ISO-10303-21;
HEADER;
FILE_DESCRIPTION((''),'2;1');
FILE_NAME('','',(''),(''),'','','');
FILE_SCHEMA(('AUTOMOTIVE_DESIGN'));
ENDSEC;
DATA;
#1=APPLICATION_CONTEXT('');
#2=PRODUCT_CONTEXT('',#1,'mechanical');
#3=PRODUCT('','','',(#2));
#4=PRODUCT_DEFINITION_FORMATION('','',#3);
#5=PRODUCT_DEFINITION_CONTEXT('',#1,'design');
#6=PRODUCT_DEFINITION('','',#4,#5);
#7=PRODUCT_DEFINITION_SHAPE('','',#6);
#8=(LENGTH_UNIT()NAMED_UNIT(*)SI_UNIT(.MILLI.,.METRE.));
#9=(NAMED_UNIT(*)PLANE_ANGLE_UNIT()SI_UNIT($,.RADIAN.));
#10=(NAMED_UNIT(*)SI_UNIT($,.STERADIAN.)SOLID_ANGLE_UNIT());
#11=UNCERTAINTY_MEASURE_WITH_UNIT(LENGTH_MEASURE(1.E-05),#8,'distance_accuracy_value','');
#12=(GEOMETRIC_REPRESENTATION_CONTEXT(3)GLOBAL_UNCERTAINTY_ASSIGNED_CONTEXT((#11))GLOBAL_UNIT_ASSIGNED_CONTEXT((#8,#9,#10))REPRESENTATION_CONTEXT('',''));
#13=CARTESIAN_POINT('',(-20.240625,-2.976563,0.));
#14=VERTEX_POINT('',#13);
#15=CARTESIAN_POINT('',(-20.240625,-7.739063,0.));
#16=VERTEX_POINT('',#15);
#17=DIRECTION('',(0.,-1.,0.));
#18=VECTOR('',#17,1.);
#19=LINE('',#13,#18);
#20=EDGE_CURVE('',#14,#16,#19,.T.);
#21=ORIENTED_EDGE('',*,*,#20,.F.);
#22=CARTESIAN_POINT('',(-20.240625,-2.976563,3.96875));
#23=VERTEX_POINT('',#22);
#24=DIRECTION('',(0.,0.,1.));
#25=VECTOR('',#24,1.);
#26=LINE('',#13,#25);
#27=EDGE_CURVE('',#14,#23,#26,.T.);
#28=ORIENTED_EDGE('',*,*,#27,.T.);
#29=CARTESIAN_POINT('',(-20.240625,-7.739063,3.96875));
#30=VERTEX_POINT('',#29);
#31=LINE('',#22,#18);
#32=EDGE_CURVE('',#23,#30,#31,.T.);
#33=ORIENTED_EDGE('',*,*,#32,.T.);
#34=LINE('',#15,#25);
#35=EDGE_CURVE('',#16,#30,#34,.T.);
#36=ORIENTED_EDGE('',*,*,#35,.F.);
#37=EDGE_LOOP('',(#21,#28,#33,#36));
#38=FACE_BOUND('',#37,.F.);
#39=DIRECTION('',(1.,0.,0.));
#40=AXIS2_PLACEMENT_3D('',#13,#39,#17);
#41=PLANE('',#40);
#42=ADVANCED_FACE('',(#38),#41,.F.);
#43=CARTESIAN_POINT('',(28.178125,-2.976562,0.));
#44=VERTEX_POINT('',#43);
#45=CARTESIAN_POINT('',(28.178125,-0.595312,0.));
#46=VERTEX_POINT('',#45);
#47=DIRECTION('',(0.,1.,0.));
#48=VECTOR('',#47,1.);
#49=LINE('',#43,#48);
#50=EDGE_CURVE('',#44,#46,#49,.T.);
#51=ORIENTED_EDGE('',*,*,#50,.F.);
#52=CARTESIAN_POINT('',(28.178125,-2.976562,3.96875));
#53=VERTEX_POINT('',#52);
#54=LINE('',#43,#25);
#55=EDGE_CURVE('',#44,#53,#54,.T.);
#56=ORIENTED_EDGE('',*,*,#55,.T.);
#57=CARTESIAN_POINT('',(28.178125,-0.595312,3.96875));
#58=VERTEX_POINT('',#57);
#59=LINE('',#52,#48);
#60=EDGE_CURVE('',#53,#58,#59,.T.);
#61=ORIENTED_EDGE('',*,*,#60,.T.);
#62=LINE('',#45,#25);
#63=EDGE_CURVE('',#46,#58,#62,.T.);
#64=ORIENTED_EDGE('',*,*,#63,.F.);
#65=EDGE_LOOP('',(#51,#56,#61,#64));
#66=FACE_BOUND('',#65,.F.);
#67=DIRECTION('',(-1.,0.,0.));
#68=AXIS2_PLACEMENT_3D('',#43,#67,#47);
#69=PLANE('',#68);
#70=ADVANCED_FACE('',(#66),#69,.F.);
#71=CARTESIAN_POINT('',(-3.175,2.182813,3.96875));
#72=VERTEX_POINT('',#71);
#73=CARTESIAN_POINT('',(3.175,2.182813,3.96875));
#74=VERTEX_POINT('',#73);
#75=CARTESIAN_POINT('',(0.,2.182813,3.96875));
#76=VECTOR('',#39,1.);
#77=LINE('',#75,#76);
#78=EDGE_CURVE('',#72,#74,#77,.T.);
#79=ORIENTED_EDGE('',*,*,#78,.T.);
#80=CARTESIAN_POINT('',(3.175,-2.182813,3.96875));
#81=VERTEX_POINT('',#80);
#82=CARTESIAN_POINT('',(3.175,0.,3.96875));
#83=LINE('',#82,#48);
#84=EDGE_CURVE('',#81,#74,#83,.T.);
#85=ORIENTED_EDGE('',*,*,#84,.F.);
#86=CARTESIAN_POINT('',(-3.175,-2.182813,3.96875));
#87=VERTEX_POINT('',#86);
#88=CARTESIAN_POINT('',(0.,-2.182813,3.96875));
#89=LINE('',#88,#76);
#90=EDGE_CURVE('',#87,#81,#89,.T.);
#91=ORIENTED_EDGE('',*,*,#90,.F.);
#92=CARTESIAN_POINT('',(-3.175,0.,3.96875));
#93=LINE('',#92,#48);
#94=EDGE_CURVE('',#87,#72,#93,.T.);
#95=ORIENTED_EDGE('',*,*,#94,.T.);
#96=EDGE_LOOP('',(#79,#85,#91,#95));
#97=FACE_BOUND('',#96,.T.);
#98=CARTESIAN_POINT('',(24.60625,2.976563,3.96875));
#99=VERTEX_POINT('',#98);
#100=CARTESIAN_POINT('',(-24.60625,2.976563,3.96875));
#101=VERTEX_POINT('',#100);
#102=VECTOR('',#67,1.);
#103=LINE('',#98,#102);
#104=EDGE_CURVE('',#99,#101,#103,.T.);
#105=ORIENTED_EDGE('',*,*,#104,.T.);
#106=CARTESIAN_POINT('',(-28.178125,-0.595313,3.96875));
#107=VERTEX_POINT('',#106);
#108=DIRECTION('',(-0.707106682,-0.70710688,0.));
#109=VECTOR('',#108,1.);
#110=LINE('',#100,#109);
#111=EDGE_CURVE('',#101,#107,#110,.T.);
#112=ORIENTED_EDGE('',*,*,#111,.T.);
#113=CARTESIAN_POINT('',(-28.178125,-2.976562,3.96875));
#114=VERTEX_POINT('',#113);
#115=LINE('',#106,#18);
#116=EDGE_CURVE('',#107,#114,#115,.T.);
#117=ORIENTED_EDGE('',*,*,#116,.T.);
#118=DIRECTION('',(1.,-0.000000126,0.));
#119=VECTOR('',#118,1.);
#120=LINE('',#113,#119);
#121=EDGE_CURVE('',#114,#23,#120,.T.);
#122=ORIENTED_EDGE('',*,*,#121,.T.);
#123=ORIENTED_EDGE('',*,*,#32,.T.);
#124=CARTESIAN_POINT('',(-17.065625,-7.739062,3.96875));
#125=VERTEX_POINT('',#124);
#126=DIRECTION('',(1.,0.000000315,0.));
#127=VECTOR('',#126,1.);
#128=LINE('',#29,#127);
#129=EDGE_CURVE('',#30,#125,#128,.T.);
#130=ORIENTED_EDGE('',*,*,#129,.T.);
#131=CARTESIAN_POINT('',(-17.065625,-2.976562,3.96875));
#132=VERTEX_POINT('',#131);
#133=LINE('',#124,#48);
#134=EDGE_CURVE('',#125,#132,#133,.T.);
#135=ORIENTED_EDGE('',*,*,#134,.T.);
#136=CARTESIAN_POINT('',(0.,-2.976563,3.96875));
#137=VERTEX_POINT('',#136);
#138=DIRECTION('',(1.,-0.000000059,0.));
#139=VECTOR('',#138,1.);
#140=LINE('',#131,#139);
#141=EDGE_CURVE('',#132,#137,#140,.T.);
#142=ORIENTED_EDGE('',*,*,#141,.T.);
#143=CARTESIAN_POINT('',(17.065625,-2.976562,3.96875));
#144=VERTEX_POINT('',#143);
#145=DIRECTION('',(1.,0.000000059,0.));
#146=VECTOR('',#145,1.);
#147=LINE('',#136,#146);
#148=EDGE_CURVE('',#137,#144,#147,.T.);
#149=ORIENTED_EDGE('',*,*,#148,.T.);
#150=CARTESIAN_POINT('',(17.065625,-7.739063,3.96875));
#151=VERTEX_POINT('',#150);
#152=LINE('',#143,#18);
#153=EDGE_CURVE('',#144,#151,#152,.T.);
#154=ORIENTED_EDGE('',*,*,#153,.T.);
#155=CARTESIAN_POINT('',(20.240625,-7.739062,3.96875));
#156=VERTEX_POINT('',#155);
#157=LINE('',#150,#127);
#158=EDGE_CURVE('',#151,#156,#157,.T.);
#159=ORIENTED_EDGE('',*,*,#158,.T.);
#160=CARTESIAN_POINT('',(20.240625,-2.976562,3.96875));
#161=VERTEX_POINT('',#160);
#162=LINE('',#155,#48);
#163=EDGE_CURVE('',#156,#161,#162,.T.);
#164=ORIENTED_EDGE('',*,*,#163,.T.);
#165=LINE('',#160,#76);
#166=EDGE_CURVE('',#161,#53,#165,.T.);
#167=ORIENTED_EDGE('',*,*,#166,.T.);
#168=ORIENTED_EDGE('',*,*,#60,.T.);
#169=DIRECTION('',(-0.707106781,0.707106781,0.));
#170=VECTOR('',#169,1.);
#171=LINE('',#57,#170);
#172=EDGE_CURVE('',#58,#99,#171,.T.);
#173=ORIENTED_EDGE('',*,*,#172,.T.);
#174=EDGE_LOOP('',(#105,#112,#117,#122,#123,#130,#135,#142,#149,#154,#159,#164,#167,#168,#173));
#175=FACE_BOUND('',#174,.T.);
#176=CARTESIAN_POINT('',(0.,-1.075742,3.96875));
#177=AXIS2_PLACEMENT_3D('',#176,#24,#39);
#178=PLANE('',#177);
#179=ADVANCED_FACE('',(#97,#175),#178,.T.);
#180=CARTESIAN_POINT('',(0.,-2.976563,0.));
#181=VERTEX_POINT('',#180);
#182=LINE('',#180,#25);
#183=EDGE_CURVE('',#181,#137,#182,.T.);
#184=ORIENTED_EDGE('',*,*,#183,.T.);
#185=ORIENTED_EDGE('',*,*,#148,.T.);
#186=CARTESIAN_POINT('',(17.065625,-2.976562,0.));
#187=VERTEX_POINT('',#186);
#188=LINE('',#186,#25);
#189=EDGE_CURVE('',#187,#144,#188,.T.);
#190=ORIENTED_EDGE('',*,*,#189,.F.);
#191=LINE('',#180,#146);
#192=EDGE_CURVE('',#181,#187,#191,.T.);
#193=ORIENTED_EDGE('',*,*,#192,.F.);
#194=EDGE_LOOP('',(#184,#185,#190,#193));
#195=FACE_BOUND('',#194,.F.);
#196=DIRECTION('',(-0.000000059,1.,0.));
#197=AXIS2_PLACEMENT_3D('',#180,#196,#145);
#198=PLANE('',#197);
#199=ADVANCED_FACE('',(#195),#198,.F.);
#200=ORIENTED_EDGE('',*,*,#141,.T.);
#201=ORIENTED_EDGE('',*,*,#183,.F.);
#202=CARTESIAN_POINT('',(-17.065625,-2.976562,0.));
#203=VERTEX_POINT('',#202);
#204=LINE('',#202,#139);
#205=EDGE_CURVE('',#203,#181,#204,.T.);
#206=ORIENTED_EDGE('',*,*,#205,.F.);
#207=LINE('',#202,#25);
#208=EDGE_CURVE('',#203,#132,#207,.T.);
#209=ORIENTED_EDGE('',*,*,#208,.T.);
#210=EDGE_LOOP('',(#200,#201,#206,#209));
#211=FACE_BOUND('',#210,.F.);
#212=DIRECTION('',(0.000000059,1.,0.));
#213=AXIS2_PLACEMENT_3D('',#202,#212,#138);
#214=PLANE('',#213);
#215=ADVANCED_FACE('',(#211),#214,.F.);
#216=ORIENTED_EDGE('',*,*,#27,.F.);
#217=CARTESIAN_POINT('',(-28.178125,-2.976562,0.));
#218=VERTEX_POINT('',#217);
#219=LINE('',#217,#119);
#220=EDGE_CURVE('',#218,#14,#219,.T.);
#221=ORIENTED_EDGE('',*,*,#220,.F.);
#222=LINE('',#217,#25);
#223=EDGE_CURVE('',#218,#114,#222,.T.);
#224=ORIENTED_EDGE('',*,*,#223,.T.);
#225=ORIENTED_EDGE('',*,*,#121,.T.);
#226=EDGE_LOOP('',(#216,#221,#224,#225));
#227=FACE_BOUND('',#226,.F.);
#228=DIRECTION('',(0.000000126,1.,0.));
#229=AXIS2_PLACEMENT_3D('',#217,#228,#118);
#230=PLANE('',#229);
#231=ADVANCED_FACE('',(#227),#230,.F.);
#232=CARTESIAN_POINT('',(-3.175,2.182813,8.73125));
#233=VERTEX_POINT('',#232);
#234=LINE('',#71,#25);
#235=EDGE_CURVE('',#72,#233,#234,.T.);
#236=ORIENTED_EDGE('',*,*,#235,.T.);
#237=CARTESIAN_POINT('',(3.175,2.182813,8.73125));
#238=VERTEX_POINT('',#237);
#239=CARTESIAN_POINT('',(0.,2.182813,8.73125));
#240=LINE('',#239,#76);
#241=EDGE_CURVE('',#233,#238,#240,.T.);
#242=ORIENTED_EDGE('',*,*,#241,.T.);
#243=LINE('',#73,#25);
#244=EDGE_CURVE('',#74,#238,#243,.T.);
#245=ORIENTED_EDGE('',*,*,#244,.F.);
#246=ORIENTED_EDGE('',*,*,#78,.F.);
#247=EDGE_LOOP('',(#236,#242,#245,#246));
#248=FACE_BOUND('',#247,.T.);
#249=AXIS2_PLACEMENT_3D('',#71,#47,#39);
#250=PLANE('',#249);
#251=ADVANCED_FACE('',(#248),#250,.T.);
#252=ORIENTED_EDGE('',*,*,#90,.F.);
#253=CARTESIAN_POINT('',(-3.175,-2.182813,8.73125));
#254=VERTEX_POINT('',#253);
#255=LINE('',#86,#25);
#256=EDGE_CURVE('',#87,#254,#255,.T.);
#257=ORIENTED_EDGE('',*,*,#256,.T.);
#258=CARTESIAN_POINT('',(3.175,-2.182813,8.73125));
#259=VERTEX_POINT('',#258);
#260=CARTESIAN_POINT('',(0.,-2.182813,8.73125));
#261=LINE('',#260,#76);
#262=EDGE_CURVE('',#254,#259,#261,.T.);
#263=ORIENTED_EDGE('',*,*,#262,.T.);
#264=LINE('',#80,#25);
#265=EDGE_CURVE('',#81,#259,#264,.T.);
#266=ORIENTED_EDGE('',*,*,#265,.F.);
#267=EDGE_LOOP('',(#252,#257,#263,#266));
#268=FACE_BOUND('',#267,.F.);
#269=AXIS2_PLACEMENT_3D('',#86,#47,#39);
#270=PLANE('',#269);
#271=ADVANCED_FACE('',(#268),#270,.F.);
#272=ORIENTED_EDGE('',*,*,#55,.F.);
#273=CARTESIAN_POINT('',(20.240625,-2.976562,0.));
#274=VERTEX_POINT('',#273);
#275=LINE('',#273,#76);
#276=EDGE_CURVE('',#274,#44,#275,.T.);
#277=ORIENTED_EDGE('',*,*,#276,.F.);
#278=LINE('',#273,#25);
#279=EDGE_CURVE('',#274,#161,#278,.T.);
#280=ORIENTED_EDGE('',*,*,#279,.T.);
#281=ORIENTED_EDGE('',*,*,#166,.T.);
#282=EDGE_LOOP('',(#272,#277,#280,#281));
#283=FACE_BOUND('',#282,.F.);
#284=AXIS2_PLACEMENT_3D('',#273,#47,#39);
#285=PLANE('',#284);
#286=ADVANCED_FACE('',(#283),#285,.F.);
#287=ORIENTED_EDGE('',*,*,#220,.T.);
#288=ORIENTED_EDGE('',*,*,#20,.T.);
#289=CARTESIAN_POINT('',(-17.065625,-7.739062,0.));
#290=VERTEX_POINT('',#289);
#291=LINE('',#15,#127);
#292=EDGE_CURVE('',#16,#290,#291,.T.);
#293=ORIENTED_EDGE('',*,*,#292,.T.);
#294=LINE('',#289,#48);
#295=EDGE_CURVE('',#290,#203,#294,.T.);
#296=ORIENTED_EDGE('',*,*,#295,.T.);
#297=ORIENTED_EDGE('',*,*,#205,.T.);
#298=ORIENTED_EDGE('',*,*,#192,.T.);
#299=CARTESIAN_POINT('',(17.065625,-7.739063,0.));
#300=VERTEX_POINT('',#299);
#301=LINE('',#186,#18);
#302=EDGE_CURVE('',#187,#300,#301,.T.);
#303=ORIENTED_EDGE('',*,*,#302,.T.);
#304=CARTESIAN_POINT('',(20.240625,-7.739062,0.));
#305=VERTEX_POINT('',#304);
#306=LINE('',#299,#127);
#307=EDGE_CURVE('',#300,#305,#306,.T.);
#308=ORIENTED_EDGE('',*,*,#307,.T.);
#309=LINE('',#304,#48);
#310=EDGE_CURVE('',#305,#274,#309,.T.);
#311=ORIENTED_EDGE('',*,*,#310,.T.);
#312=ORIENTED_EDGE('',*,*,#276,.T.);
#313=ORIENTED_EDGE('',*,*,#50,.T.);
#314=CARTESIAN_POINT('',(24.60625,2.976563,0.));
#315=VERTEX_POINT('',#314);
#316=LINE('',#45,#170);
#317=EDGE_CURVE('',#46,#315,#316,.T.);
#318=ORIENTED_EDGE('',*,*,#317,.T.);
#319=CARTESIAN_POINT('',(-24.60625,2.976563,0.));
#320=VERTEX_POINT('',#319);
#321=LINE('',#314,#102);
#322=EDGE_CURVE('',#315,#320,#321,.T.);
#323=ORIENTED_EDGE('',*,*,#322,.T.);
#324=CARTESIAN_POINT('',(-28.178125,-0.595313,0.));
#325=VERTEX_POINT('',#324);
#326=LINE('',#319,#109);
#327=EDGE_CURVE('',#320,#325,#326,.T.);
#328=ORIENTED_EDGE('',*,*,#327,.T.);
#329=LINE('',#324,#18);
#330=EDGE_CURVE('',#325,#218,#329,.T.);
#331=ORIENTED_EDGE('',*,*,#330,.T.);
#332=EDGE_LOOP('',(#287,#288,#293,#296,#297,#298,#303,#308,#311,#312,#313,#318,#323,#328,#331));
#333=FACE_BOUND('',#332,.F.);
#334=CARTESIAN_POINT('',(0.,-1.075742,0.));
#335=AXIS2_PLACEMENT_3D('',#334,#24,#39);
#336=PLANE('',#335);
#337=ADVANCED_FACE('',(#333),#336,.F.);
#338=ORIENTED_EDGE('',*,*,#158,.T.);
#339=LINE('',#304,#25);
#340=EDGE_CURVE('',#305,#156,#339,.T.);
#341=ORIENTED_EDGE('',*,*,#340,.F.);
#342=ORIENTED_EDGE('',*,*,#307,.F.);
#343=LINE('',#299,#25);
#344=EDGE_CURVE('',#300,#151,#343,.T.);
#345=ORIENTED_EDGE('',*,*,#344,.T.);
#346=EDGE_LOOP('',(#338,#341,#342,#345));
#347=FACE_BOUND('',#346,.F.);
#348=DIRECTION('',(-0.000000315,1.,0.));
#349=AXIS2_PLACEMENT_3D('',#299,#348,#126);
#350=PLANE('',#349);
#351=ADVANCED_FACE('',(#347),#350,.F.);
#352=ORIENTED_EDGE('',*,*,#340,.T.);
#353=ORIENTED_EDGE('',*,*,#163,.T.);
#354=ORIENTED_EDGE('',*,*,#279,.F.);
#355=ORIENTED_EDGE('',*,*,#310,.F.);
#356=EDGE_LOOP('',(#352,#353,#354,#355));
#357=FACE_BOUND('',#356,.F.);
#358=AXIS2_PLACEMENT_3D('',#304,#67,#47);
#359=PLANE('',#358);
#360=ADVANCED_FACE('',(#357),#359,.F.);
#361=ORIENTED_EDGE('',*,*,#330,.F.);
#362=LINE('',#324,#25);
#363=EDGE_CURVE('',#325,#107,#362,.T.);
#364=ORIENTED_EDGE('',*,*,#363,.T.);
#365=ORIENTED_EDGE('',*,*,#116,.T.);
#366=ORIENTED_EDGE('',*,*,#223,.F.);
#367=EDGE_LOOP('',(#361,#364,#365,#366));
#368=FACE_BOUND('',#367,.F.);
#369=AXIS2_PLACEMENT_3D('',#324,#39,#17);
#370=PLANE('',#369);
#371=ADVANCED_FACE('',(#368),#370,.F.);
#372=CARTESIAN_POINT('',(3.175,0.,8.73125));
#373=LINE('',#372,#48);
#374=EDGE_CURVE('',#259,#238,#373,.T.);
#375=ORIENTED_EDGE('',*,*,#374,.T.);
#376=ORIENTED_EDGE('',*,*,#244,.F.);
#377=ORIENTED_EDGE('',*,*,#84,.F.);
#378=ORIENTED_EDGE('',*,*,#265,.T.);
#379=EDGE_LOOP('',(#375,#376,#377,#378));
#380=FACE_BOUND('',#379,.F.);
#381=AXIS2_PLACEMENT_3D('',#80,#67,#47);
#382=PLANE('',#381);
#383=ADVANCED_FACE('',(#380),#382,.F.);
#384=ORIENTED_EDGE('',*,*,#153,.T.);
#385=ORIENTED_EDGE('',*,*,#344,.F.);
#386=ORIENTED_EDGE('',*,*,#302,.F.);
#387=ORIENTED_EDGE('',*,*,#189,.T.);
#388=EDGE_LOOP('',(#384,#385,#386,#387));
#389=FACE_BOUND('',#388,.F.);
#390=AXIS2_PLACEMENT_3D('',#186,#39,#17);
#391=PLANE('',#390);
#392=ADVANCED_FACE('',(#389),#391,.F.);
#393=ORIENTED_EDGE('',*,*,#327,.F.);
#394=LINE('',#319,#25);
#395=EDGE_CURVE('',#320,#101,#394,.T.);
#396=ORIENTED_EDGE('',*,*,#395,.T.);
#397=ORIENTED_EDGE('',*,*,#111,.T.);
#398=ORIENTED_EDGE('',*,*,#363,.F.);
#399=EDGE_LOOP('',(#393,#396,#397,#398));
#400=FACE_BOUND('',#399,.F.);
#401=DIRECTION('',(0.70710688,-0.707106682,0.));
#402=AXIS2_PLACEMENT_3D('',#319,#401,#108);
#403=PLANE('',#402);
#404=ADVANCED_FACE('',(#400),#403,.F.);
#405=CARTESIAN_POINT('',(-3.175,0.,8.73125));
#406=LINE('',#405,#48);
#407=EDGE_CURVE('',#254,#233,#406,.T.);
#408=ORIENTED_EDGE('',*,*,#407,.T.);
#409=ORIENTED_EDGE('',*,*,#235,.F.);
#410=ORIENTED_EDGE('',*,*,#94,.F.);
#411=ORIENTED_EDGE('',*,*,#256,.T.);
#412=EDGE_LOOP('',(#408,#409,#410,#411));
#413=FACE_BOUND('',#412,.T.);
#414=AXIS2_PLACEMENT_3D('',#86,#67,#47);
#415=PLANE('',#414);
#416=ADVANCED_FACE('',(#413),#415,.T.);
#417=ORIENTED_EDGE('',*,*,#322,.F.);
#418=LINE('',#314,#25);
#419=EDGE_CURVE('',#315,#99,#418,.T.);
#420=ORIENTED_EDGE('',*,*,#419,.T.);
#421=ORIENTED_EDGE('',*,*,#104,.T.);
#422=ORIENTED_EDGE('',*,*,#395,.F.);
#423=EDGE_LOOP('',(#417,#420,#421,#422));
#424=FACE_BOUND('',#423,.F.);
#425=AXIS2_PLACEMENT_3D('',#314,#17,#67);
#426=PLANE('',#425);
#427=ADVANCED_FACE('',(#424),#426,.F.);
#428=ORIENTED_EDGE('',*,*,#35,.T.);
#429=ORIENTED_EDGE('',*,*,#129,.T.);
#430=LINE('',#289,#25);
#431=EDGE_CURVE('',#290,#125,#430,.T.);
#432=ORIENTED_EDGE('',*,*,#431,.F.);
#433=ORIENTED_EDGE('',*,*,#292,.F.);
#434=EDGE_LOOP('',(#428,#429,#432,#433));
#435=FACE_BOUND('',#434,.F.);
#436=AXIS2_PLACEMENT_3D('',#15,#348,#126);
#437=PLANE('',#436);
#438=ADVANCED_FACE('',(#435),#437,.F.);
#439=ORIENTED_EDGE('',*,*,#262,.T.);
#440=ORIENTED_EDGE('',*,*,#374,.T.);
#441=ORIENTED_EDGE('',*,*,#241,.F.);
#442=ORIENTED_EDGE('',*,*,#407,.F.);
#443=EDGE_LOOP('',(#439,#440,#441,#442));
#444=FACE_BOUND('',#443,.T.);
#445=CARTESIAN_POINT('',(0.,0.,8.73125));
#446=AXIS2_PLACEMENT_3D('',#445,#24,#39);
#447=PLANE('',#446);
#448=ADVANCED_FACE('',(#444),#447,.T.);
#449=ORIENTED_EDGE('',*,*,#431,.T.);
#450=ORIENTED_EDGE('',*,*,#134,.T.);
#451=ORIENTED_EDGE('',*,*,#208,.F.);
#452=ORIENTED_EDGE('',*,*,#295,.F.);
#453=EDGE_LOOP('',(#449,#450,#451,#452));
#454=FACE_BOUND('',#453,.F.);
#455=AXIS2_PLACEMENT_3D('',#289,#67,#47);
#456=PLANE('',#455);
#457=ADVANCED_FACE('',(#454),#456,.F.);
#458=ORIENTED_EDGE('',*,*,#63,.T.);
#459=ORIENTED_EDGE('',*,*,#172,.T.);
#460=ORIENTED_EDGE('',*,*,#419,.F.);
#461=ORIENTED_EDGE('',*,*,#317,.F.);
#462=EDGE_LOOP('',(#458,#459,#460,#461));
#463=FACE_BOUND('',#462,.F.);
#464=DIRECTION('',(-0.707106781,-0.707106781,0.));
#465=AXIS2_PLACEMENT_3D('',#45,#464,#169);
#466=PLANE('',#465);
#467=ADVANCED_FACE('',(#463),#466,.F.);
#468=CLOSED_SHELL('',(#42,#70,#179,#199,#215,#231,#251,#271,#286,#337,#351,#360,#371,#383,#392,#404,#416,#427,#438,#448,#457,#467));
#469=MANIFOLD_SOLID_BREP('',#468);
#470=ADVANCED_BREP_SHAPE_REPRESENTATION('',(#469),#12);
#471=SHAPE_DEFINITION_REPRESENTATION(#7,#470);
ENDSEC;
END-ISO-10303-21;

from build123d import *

# Parameters (mm, degrees)
F1_DEPTH = 3.96875
F2_W     = 6.35
F2_H     = 4.365626
F3_DEPTH = 4.7625


with BuildPart() as f1:
    # F0 (on Top) → F1 (new body)
    with BuildSketch(Plane.XY):
        Polygon((24.60625, 2.976563), (0, 2.976563), (-24.60625, 2.976563), (-28.178125, -0.595313), (-28.178125, -2.976562), (-20.240625, -2.976563), (-20.240625, -7.739063), (-17.065625, -7.739062), (-17.065625, -2.976562), (0, -2.976563), (17.065625, -2.976562), (17.065625, -7.739063), (20.240625, -7.739062), (20.240625, -2.976562), (28.178125, -2.976562), (28.178125, -0.595312), align=None)
    extrude(amount=F1_DEPTH)

    # F2 (on face) → F3 (join)
    with BuildSketch(Plane.XY.offset(3.96875)):
        Rectangle(F2_W, F2_H)
    extrude(amount=F3_DEPTH)


solid = f1.part
